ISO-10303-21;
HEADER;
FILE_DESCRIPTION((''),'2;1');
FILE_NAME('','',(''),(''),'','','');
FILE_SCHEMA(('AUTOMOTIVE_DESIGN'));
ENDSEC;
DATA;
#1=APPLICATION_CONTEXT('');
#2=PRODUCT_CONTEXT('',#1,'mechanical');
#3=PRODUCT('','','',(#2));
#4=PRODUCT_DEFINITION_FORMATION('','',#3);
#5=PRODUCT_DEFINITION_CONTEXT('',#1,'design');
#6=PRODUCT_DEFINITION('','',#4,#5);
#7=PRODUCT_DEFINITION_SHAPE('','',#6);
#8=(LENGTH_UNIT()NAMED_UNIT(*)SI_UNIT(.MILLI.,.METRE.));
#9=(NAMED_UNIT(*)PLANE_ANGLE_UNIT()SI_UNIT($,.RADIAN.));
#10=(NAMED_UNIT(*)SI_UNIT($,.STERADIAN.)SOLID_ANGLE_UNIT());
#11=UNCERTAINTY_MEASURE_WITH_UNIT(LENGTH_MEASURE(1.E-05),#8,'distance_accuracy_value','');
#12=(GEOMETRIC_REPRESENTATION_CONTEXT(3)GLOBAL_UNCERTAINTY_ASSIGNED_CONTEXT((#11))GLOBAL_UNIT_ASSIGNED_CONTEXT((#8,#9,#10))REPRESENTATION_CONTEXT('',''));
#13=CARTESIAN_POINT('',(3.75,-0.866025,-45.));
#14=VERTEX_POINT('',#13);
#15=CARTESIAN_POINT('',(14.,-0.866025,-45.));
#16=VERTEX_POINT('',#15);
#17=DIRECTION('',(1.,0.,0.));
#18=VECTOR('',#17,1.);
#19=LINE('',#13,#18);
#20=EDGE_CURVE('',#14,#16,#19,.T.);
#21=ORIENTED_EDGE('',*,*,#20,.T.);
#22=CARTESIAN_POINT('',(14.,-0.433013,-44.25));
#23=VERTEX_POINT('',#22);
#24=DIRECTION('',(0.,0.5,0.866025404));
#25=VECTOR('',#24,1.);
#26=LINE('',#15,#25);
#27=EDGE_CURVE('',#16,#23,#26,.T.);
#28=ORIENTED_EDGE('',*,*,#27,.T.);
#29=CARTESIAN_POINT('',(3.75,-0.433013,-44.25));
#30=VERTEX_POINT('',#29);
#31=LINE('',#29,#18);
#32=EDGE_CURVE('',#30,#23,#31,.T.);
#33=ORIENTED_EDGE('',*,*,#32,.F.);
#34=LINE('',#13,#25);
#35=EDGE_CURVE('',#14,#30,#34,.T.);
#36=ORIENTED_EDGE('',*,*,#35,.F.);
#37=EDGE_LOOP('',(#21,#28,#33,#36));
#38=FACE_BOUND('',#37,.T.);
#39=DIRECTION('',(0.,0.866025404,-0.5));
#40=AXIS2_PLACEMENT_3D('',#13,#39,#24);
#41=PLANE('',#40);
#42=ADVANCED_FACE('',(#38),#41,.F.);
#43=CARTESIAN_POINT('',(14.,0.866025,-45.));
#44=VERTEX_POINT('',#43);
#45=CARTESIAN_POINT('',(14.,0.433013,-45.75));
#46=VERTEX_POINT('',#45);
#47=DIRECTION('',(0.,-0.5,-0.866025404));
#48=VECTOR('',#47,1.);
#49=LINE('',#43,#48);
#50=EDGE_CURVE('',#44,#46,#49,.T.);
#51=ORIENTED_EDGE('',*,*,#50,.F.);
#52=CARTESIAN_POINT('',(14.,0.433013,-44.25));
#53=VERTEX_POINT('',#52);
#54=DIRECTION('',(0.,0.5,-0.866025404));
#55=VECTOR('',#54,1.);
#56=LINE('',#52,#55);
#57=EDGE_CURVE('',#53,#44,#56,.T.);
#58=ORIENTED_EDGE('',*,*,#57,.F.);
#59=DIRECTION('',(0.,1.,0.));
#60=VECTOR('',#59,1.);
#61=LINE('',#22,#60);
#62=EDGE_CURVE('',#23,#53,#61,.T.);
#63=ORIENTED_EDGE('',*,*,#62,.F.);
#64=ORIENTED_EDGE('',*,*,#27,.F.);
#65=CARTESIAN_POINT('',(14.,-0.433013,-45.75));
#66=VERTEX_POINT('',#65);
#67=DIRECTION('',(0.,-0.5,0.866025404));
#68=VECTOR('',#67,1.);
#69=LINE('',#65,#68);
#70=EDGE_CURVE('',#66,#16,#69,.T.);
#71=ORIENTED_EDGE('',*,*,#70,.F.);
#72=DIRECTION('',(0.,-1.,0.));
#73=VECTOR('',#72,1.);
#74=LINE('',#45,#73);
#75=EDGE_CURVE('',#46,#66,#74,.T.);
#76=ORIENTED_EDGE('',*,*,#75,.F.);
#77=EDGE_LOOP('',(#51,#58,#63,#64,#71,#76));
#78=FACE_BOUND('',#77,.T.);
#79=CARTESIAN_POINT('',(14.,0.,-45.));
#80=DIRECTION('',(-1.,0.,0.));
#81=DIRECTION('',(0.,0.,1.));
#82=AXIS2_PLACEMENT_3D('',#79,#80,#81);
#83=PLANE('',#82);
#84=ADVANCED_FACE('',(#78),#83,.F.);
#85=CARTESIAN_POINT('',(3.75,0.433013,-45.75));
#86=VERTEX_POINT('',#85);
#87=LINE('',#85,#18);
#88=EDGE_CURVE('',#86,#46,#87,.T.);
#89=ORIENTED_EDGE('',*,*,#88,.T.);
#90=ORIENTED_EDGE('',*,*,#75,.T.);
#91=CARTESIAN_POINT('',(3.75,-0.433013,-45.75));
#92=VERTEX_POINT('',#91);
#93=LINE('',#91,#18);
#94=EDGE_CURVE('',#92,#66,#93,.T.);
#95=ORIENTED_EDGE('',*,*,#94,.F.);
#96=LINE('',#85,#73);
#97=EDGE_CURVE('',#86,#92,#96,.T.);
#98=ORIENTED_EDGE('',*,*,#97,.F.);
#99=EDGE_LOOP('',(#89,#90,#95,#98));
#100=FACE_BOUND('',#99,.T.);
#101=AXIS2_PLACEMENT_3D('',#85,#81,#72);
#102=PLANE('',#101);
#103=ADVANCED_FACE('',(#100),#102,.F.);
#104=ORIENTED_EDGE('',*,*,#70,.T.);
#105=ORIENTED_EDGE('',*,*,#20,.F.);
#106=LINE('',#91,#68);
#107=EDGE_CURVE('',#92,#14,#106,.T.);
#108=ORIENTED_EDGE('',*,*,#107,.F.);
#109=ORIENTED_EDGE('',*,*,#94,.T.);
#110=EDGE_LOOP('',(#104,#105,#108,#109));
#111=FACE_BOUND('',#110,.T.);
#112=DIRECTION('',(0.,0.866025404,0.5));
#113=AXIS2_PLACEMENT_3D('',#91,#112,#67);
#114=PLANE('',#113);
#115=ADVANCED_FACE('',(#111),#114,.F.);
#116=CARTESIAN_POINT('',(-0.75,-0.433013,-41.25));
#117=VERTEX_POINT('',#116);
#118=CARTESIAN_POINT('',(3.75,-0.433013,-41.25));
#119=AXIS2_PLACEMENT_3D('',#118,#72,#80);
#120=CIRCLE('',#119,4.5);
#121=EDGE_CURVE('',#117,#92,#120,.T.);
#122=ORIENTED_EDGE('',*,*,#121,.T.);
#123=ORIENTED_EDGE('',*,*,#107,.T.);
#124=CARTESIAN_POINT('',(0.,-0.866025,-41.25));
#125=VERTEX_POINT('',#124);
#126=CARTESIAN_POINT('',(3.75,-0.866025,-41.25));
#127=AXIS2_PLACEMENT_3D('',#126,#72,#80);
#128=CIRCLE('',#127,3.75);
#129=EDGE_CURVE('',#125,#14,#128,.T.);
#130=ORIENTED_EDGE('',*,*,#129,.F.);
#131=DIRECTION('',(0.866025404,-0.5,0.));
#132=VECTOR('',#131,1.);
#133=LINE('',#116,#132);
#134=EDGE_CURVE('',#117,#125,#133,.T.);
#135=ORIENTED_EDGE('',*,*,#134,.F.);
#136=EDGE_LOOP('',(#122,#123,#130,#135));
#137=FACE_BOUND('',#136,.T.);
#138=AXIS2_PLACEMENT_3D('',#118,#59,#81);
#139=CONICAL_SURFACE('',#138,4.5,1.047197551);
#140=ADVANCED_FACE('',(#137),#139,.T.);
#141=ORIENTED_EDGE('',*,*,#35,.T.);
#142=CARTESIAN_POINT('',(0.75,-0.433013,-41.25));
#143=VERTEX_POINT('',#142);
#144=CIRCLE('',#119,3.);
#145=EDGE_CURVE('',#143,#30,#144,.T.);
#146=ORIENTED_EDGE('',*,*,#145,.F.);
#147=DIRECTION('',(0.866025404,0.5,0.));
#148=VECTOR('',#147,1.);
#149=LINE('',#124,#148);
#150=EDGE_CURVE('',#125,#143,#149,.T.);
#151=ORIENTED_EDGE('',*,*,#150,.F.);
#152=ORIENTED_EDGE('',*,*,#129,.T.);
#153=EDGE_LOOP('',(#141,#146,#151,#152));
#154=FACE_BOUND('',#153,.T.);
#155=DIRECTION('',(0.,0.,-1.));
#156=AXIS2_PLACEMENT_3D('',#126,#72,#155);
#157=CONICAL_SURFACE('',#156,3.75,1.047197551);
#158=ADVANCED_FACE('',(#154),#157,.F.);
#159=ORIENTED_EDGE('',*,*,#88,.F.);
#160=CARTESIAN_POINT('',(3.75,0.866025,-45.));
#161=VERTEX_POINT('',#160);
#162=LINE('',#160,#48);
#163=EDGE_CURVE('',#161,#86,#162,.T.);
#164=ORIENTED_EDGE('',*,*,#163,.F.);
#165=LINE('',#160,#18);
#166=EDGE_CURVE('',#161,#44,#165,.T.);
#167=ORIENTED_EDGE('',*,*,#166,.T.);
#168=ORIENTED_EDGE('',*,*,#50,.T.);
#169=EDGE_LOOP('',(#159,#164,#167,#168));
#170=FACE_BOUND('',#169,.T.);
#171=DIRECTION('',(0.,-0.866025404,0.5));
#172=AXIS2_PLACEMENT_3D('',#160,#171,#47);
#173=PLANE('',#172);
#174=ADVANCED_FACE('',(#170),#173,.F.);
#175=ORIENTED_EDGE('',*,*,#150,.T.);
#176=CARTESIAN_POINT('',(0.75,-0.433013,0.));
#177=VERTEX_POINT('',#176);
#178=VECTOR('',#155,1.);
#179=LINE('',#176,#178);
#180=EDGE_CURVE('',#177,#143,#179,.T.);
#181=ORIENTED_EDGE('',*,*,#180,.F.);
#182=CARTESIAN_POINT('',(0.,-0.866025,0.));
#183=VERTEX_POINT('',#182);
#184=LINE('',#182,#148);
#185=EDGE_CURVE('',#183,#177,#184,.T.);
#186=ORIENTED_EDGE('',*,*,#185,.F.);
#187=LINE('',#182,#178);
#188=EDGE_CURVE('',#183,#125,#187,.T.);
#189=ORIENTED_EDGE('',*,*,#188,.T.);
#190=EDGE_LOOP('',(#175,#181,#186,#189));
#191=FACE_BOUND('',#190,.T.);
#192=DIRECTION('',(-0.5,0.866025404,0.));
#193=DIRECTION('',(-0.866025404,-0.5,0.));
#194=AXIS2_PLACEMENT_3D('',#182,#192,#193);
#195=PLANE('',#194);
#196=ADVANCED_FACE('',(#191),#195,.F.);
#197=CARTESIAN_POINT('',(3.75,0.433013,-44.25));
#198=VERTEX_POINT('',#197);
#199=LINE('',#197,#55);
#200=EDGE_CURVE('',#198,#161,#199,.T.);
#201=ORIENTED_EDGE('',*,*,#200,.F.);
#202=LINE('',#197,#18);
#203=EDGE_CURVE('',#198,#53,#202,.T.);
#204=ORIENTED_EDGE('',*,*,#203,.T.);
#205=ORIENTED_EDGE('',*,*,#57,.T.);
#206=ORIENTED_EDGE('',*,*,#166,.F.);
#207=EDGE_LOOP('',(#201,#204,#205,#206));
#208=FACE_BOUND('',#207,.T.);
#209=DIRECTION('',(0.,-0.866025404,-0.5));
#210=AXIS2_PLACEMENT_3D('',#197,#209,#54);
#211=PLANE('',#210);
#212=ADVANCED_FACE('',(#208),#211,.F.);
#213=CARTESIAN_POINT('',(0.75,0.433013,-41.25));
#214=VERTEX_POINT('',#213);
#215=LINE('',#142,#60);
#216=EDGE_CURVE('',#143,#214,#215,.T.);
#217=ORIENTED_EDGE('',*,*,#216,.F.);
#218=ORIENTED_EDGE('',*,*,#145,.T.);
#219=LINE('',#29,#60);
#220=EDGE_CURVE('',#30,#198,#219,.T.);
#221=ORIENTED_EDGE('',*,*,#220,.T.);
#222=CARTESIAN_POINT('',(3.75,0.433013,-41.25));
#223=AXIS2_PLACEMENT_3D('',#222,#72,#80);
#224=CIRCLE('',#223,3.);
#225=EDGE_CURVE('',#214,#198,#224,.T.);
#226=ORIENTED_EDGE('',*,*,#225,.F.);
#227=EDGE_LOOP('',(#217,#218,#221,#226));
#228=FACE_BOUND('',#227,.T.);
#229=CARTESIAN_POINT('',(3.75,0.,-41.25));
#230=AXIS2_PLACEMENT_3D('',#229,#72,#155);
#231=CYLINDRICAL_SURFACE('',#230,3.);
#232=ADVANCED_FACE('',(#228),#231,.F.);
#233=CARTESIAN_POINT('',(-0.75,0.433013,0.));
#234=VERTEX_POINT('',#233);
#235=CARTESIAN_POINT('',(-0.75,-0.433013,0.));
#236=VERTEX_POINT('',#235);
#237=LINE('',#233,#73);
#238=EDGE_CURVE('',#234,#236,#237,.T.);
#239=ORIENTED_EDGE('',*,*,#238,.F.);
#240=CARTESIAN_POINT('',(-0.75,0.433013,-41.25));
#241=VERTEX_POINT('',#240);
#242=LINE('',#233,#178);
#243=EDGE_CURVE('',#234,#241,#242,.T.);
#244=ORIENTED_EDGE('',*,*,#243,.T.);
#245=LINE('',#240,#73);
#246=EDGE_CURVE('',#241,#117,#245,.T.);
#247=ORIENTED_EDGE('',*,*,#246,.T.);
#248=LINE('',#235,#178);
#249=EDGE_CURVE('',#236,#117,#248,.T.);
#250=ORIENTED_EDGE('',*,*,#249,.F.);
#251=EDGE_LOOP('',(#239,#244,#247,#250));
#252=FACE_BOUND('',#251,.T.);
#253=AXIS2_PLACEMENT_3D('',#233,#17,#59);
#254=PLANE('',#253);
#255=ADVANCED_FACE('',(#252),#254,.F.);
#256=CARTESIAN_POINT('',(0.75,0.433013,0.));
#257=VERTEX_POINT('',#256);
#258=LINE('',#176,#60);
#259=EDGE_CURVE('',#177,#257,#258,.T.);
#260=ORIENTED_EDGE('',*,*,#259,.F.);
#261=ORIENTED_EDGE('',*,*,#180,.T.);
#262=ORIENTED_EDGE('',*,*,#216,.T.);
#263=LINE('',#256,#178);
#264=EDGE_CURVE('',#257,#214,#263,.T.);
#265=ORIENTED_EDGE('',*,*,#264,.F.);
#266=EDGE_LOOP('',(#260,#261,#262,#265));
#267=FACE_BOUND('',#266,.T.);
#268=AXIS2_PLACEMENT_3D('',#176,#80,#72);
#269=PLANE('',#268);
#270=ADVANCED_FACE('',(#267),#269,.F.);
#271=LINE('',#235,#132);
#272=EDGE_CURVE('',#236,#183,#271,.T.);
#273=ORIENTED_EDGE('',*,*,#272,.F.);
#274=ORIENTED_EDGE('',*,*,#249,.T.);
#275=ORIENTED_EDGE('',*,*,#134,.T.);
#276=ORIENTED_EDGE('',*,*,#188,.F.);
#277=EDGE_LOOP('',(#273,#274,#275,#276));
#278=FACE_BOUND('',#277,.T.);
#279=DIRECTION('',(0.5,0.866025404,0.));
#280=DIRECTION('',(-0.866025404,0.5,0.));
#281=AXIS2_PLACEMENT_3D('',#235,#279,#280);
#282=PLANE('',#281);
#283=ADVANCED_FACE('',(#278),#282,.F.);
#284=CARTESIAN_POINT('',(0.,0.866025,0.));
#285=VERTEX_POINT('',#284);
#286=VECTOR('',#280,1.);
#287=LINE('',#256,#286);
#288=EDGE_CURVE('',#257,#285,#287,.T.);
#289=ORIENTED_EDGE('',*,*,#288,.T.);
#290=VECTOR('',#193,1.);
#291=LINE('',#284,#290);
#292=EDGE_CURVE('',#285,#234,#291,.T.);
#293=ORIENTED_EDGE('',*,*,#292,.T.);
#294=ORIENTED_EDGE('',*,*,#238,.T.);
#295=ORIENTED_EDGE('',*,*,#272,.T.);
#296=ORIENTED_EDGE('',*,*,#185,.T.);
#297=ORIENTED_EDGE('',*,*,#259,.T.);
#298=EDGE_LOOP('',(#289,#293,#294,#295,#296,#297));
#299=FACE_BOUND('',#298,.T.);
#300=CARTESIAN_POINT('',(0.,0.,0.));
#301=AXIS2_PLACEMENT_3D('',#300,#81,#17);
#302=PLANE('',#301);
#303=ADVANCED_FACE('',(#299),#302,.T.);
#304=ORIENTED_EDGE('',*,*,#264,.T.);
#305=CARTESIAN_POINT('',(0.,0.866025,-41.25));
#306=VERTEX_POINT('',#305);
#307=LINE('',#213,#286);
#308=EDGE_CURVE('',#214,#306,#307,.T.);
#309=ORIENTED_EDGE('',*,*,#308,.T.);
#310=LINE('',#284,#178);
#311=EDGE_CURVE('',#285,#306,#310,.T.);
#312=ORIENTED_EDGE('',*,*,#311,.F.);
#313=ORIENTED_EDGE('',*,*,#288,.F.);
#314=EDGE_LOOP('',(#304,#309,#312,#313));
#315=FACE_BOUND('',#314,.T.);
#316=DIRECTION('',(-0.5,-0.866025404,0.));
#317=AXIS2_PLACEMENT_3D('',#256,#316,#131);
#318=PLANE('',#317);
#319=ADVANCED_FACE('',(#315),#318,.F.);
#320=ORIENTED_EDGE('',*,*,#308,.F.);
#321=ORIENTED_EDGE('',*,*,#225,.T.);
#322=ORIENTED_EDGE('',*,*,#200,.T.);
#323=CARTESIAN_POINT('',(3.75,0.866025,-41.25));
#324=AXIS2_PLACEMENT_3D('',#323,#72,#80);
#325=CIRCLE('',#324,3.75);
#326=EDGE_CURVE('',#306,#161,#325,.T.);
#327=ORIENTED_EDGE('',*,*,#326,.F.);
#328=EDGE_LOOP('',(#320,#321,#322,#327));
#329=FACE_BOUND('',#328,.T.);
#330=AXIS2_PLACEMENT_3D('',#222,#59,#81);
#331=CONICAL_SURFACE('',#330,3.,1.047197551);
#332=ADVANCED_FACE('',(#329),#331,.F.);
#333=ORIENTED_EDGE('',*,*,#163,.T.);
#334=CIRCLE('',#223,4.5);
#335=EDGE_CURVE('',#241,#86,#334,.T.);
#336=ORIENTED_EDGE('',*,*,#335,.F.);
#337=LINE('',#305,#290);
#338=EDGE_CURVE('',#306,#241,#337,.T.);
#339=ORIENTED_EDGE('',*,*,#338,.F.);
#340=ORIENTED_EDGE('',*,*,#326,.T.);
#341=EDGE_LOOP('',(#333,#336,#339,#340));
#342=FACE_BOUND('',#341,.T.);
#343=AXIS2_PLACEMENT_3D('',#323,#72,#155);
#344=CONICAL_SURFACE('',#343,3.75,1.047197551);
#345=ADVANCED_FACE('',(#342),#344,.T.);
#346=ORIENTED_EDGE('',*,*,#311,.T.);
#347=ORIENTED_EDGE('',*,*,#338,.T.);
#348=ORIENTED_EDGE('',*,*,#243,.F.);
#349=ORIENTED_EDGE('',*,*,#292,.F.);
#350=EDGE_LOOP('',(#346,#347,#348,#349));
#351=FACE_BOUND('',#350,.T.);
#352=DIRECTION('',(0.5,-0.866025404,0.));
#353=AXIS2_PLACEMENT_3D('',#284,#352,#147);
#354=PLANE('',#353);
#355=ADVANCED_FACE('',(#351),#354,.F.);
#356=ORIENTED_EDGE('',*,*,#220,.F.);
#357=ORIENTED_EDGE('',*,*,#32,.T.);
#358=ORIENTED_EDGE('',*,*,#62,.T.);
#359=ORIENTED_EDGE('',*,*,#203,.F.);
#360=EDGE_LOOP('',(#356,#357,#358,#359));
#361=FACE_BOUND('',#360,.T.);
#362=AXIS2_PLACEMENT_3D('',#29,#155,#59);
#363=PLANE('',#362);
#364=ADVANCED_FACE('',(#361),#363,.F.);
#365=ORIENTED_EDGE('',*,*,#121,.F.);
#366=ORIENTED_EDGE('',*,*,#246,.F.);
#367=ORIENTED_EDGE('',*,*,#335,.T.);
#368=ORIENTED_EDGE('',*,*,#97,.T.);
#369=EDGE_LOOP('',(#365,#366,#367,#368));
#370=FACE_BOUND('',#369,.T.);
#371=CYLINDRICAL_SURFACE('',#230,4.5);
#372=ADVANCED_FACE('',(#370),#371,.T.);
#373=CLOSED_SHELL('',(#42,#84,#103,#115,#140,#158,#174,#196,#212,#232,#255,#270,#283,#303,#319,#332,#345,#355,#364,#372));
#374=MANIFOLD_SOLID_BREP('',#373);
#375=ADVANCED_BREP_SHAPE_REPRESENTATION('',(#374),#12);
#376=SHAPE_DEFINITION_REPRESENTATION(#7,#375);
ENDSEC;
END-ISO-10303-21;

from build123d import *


with BuildPart() as part:
    # Sweep1: sweep along a path in Sketch1
    with BuildLine(Plane(origin=(0, 0, 0), x_dir=(1, 0, 0), z_dir=(0, 1, 0))) as sweep1_path:
        Line((0, 0), (0, 41.25))
        ThreePointArc((0, 41.25), (1.098349571, 43.901650429), (3.75, 45))
        Line((3.75, 45), (14, 45))
    # Sketch2 → Sweep1 (sweep)
    with BuildSketch(Plane.XY):
        Polygon((0, -0.866025404), (0.75, -0.433012702), (0.75, 0.433012702), (0, 0.866025404), (-0.75, 0.433012702), (-0.75, -0.433012702), align=None)
    sweep(path=sweep1_path.line)


solid = part.part
